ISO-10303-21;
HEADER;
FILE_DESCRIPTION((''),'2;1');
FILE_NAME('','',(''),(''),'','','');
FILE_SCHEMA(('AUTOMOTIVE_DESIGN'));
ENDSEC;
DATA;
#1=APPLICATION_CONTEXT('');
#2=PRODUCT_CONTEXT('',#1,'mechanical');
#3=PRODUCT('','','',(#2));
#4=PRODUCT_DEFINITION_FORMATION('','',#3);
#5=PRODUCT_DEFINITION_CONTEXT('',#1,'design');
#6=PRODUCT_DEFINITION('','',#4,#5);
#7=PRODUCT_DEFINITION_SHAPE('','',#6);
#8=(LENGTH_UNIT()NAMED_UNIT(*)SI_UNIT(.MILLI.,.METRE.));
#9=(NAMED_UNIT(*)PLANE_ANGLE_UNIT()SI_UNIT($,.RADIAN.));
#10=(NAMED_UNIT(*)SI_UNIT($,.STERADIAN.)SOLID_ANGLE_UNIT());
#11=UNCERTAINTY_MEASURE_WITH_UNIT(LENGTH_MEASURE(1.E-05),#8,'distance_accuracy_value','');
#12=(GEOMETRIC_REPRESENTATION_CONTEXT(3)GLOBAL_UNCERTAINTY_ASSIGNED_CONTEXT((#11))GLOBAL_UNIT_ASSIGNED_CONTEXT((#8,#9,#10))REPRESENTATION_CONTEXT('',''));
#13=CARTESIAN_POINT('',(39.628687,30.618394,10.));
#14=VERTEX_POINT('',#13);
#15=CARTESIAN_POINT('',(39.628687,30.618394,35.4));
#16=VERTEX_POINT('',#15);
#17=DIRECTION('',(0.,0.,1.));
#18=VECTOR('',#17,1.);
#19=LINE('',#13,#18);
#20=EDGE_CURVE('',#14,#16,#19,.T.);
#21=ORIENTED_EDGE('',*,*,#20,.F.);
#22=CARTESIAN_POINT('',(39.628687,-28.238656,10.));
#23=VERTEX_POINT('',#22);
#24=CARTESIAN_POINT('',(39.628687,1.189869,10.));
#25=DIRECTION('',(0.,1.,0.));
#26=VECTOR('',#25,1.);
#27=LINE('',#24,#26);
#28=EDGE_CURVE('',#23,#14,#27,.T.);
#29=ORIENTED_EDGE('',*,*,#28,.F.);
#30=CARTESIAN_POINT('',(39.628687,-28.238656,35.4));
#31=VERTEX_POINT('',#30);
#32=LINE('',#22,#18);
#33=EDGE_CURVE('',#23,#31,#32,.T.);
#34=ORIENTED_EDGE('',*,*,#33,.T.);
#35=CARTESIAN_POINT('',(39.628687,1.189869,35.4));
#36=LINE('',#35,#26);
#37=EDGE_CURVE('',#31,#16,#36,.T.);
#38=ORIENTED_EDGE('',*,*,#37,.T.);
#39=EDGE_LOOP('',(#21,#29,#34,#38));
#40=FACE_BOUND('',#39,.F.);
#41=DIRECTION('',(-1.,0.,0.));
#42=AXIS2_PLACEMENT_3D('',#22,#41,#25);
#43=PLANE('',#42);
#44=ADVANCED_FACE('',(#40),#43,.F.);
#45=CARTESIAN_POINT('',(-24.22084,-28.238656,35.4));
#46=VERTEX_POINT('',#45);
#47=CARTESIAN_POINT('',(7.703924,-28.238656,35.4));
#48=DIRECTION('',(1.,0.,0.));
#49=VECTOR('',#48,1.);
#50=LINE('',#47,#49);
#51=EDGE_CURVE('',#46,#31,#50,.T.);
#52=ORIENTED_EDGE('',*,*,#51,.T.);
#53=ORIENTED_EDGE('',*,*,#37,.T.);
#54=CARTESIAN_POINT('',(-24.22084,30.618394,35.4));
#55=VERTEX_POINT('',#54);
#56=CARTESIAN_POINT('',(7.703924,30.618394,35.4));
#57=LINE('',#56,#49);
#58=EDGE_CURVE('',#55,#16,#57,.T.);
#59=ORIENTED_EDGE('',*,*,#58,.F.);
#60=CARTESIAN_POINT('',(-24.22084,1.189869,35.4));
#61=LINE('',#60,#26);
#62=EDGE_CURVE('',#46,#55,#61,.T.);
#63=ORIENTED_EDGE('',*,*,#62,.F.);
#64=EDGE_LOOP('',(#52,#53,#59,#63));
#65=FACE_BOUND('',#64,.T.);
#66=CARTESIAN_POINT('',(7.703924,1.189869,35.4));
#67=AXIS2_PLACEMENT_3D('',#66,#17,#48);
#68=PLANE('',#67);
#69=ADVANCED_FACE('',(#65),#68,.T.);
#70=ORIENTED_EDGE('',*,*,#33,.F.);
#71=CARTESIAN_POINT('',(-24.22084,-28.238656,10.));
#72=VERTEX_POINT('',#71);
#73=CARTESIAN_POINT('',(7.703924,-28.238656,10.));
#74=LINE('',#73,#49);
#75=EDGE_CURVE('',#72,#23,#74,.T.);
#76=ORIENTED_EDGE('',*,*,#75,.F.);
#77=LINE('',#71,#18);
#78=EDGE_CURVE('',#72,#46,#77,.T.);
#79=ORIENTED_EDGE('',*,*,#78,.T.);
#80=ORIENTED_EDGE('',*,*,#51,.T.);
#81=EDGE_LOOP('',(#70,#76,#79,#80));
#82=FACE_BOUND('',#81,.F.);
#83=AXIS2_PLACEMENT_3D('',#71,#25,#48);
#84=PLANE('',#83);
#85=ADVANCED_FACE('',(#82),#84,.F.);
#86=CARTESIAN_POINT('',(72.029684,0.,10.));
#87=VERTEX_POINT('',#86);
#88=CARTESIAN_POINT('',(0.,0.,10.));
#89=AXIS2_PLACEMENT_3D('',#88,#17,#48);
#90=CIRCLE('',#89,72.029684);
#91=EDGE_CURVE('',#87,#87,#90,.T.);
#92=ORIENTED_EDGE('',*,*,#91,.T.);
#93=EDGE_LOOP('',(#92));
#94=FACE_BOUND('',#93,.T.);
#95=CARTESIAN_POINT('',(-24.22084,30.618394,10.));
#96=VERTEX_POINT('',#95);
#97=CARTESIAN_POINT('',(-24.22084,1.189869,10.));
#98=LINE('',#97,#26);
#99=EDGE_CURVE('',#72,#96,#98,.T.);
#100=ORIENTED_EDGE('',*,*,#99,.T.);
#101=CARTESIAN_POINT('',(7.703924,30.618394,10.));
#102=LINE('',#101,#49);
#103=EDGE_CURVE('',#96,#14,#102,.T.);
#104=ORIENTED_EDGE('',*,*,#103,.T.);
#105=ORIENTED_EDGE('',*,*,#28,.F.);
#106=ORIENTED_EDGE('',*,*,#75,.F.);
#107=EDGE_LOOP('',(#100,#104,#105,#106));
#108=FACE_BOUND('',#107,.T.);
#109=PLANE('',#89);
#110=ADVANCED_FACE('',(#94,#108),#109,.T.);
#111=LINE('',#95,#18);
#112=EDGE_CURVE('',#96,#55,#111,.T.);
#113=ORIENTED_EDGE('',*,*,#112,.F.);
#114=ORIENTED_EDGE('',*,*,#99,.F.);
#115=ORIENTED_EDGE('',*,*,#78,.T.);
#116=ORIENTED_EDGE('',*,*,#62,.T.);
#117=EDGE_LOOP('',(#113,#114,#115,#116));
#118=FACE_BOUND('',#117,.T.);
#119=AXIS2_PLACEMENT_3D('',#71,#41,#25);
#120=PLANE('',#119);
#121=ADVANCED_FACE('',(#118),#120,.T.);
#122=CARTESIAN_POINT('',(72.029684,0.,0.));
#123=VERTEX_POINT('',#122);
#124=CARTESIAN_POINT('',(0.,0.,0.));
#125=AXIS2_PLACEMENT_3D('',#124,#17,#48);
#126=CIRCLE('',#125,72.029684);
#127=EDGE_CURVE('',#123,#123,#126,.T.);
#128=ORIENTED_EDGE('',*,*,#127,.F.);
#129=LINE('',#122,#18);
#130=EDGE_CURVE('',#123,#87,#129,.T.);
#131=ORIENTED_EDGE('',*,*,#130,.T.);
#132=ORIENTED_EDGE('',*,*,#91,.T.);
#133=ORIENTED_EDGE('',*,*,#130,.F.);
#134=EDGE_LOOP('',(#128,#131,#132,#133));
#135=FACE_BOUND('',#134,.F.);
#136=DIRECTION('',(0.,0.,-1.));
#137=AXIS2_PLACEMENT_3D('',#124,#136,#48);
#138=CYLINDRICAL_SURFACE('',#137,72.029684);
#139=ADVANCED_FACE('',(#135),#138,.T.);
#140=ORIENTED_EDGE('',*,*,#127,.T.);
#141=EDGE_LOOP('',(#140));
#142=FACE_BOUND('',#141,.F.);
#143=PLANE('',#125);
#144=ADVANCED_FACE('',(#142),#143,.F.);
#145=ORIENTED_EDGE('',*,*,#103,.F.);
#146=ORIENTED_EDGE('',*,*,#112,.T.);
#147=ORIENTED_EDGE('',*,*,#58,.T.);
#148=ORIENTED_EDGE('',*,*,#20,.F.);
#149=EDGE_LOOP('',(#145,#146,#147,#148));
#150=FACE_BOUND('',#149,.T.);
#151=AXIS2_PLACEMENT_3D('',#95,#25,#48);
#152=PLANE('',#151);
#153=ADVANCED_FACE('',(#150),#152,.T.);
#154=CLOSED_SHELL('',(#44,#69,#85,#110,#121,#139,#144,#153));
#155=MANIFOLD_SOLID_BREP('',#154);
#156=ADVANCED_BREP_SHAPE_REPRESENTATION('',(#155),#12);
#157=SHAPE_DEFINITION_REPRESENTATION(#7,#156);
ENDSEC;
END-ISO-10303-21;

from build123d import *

# Parameters (mm, degrees)
F0_R     = 72.029684
F1_DEPTH = 10
F2_W     = 63.849527
F2_H     = 58.85705
F3_DEPTH = 25.4


with BuildPart() as f1:
    # F0 (on Top) → F1 (new body)
    with BuildSketch(Plane.XY):
        Circle(F0_R)
    extrude(amount=F1_DEPTH)

    # F2 (on face) → F3 (join)
    with BuildSketch(Plane.XY.offset(10)):
        with Locations((7.703924, 1.189869)):
            Rectangle(F2_W, F2_H)
    extrude(amount=F3_DEPTH)


solid = f1.part
